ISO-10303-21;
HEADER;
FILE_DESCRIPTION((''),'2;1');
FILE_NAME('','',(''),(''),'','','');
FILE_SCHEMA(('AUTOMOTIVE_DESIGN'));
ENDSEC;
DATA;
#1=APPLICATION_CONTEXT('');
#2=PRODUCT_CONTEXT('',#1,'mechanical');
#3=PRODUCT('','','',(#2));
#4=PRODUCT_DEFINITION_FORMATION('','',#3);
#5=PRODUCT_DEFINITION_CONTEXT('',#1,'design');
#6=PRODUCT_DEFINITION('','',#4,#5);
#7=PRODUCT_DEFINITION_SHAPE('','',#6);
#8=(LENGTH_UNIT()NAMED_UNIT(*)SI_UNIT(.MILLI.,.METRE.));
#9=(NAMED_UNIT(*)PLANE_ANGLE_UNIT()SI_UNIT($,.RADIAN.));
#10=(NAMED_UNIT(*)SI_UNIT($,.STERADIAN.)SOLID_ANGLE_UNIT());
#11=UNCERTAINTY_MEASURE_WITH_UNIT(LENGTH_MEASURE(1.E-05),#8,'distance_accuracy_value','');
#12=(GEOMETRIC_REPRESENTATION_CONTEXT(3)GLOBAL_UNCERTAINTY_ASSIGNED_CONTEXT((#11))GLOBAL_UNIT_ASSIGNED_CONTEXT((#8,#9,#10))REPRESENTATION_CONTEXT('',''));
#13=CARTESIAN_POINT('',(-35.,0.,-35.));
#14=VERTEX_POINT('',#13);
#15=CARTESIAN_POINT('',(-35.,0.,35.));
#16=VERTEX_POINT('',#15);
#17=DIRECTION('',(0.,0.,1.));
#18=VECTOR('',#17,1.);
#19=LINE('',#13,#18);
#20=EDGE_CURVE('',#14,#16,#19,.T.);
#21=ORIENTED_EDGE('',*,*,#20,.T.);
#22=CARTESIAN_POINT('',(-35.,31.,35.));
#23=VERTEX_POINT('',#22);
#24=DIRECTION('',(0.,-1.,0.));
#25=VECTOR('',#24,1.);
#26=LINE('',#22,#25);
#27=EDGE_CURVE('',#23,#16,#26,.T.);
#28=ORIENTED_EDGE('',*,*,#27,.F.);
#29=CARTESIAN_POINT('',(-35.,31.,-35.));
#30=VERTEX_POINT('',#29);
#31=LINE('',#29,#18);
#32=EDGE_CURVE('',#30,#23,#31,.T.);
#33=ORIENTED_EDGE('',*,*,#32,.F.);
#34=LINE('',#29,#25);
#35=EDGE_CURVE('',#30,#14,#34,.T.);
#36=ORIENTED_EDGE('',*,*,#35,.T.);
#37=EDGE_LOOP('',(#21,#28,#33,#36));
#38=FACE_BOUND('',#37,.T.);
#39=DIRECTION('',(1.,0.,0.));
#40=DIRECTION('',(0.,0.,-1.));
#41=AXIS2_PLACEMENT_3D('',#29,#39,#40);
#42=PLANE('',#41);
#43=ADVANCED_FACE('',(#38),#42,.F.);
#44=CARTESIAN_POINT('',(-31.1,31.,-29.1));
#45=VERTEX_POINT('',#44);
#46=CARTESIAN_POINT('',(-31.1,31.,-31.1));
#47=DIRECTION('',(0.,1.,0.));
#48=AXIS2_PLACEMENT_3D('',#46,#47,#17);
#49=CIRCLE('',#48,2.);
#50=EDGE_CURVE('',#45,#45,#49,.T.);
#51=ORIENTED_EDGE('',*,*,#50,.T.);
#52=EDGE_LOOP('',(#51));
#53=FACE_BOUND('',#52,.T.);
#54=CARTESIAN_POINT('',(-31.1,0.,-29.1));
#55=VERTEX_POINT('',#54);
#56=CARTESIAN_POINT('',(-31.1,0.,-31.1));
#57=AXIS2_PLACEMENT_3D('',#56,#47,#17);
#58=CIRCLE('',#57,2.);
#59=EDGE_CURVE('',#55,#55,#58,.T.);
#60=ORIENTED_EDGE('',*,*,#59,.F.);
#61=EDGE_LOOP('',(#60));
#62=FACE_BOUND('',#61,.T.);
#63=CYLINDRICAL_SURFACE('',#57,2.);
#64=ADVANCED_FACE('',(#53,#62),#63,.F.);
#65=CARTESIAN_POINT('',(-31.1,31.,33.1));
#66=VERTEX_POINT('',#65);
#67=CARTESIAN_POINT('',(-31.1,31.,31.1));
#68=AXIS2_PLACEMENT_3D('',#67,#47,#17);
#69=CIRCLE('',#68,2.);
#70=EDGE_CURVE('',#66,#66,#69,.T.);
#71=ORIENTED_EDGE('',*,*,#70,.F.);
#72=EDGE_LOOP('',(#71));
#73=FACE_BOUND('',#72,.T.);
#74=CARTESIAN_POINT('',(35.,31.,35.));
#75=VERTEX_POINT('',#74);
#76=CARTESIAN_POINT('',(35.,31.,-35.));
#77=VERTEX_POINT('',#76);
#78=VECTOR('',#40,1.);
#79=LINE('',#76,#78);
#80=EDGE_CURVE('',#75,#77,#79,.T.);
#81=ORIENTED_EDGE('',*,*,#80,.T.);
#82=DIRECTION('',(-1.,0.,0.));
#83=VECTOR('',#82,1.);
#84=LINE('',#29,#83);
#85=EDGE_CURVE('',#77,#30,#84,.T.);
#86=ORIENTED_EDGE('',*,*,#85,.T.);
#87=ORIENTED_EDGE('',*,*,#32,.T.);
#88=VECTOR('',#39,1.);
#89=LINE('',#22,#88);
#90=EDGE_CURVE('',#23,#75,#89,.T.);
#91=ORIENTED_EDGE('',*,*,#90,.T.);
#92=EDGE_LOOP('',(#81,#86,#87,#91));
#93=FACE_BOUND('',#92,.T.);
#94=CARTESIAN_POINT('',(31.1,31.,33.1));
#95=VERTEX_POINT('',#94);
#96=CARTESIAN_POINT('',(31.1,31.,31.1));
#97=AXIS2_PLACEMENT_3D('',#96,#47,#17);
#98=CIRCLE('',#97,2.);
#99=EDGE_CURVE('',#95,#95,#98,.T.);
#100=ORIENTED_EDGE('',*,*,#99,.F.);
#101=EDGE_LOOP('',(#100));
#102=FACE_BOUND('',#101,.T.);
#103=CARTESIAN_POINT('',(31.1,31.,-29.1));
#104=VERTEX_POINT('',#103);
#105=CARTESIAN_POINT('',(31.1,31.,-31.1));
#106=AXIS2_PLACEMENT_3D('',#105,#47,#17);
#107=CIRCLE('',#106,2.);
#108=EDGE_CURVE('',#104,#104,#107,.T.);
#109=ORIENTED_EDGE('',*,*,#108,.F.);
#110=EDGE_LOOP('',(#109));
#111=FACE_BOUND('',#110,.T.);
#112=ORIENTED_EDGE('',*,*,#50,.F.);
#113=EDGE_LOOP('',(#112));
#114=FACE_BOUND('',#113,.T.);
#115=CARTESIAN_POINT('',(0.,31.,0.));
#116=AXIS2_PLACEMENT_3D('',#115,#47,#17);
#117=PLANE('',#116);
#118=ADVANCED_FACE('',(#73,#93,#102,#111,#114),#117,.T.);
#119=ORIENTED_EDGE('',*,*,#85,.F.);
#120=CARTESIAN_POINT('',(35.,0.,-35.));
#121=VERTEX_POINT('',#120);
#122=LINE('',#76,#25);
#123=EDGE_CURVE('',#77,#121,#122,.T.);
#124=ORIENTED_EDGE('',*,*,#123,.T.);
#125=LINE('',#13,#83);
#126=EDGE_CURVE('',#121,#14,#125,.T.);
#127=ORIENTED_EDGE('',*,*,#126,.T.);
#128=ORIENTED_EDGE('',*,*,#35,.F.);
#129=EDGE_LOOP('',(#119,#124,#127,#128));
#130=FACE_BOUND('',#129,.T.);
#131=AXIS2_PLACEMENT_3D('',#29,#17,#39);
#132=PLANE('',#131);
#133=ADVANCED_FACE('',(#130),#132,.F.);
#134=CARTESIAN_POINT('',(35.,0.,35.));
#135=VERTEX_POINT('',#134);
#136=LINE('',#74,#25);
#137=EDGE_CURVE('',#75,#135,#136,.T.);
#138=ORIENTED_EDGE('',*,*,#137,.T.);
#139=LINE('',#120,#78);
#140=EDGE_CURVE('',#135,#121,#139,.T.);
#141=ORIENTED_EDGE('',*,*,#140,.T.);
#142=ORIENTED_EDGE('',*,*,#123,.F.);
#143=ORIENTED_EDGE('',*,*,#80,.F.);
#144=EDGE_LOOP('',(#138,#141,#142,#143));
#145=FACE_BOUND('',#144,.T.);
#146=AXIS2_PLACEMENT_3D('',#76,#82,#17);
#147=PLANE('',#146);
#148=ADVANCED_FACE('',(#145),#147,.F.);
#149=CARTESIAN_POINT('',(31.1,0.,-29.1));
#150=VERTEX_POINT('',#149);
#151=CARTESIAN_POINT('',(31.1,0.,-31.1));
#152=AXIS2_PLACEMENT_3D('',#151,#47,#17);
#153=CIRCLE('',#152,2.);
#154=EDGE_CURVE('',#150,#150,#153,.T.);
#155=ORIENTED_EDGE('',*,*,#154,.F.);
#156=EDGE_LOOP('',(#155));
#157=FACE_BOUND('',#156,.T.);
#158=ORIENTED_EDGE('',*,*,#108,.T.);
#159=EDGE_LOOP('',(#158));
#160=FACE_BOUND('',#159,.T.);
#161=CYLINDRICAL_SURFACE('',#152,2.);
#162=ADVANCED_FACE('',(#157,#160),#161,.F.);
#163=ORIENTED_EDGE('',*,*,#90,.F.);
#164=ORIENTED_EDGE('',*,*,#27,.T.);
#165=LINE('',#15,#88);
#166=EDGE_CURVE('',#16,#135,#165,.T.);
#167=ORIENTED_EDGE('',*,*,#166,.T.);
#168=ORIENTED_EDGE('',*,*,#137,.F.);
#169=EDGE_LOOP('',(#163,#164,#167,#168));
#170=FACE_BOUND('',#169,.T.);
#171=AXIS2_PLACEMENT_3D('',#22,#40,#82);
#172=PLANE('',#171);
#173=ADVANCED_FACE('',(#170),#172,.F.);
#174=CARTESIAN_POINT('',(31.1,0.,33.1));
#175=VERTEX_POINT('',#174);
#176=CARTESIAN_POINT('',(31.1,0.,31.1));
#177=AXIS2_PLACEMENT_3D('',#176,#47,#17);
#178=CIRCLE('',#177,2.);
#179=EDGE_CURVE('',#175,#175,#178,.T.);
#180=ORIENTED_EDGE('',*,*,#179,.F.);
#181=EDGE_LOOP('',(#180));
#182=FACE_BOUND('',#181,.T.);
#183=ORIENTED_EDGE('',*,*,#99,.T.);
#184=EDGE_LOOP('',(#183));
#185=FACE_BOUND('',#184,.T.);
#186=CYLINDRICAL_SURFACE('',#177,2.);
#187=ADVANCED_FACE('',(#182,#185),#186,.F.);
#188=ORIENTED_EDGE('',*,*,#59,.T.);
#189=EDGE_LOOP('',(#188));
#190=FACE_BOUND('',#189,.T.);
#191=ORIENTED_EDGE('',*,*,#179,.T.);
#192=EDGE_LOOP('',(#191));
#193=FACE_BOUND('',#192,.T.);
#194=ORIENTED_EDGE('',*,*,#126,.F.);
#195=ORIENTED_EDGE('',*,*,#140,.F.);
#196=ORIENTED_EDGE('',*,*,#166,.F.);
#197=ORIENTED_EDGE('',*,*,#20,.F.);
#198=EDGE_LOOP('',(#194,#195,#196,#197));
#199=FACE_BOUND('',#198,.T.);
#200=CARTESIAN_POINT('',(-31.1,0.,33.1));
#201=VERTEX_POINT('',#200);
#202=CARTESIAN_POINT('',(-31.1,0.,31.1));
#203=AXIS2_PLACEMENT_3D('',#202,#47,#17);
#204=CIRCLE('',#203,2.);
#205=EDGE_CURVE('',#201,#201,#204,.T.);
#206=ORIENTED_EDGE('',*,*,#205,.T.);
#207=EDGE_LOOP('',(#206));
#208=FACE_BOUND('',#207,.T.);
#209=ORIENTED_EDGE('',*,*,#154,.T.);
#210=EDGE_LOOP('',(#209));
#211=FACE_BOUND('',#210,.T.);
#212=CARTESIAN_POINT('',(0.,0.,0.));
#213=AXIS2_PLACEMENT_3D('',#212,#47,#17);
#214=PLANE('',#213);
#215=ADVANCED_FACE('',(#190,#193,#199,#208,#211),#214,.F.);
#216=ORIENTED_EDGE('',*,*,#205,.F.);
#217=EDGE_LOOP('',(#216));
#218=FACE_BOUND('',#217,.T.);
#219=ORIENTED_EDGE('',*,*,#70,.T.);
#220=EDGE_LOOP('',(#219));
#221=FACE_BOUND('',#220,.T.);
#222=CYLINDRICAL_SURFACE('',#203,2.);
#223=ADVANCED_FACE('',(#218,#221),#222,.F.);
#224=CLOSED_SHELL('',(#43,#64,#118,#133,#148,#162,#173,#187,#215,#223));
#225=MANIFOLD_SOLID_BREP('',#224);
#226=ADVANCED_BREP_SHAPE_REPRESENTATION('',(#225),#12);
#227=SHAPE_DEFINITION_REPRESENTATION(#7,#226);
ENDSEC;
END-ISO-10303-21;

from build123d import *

# Parameters (mm, degrees)
SKETCH1_W           = 70
SKETCH1_H           = 70
BOSS_EXTRUDE1_DEPTH = 31
SKETCH2_R           = 2
CUT_EXTRUDE1_DEPTH  = 59.403767002


with BuildPart() as part:
    # Sketch1 → Boss-Extrude1 (new body)
    with BuildSketch(Plane(origin=(0, 0, 0), x_dir=(1, 0, 0), z_dir=(0, 1, 0))):
        Rectangle(SKETCH1_W, SKETCH1_H)
    extrude(amount=BOSS_EXTRUDE1_DEPTH)

    # Sketch2 → Cut-Extrude1 (cut, through all)
    with BuildSketch(Plane(origin=(0, 31, 0), x_dir=(1, 0, 0), z_dir=(0, 1, 0))):
        with Locations(Location((-31.1, 31.1, 0), (0, 0, 270))):
            Circle(SKETCH2_R)
        with Locations(Location((31.1, 31.1, 0), (0, 0, 270))):
            Circle(SKETCH2_R)
        with Locations(Location((31.1, -31.1, 0), (0, 0, 270))):
            Circle(SKETCH2_R)
        with Locations(Location((-31.1, -31.1, 0), (0, 0, 270))):
            Circle(SKETCH2_R)
    extrude(amount=-CUT_EXTRUDE1_DEPTH, mode=Mode.SUBTRACT)


solid = part.part
